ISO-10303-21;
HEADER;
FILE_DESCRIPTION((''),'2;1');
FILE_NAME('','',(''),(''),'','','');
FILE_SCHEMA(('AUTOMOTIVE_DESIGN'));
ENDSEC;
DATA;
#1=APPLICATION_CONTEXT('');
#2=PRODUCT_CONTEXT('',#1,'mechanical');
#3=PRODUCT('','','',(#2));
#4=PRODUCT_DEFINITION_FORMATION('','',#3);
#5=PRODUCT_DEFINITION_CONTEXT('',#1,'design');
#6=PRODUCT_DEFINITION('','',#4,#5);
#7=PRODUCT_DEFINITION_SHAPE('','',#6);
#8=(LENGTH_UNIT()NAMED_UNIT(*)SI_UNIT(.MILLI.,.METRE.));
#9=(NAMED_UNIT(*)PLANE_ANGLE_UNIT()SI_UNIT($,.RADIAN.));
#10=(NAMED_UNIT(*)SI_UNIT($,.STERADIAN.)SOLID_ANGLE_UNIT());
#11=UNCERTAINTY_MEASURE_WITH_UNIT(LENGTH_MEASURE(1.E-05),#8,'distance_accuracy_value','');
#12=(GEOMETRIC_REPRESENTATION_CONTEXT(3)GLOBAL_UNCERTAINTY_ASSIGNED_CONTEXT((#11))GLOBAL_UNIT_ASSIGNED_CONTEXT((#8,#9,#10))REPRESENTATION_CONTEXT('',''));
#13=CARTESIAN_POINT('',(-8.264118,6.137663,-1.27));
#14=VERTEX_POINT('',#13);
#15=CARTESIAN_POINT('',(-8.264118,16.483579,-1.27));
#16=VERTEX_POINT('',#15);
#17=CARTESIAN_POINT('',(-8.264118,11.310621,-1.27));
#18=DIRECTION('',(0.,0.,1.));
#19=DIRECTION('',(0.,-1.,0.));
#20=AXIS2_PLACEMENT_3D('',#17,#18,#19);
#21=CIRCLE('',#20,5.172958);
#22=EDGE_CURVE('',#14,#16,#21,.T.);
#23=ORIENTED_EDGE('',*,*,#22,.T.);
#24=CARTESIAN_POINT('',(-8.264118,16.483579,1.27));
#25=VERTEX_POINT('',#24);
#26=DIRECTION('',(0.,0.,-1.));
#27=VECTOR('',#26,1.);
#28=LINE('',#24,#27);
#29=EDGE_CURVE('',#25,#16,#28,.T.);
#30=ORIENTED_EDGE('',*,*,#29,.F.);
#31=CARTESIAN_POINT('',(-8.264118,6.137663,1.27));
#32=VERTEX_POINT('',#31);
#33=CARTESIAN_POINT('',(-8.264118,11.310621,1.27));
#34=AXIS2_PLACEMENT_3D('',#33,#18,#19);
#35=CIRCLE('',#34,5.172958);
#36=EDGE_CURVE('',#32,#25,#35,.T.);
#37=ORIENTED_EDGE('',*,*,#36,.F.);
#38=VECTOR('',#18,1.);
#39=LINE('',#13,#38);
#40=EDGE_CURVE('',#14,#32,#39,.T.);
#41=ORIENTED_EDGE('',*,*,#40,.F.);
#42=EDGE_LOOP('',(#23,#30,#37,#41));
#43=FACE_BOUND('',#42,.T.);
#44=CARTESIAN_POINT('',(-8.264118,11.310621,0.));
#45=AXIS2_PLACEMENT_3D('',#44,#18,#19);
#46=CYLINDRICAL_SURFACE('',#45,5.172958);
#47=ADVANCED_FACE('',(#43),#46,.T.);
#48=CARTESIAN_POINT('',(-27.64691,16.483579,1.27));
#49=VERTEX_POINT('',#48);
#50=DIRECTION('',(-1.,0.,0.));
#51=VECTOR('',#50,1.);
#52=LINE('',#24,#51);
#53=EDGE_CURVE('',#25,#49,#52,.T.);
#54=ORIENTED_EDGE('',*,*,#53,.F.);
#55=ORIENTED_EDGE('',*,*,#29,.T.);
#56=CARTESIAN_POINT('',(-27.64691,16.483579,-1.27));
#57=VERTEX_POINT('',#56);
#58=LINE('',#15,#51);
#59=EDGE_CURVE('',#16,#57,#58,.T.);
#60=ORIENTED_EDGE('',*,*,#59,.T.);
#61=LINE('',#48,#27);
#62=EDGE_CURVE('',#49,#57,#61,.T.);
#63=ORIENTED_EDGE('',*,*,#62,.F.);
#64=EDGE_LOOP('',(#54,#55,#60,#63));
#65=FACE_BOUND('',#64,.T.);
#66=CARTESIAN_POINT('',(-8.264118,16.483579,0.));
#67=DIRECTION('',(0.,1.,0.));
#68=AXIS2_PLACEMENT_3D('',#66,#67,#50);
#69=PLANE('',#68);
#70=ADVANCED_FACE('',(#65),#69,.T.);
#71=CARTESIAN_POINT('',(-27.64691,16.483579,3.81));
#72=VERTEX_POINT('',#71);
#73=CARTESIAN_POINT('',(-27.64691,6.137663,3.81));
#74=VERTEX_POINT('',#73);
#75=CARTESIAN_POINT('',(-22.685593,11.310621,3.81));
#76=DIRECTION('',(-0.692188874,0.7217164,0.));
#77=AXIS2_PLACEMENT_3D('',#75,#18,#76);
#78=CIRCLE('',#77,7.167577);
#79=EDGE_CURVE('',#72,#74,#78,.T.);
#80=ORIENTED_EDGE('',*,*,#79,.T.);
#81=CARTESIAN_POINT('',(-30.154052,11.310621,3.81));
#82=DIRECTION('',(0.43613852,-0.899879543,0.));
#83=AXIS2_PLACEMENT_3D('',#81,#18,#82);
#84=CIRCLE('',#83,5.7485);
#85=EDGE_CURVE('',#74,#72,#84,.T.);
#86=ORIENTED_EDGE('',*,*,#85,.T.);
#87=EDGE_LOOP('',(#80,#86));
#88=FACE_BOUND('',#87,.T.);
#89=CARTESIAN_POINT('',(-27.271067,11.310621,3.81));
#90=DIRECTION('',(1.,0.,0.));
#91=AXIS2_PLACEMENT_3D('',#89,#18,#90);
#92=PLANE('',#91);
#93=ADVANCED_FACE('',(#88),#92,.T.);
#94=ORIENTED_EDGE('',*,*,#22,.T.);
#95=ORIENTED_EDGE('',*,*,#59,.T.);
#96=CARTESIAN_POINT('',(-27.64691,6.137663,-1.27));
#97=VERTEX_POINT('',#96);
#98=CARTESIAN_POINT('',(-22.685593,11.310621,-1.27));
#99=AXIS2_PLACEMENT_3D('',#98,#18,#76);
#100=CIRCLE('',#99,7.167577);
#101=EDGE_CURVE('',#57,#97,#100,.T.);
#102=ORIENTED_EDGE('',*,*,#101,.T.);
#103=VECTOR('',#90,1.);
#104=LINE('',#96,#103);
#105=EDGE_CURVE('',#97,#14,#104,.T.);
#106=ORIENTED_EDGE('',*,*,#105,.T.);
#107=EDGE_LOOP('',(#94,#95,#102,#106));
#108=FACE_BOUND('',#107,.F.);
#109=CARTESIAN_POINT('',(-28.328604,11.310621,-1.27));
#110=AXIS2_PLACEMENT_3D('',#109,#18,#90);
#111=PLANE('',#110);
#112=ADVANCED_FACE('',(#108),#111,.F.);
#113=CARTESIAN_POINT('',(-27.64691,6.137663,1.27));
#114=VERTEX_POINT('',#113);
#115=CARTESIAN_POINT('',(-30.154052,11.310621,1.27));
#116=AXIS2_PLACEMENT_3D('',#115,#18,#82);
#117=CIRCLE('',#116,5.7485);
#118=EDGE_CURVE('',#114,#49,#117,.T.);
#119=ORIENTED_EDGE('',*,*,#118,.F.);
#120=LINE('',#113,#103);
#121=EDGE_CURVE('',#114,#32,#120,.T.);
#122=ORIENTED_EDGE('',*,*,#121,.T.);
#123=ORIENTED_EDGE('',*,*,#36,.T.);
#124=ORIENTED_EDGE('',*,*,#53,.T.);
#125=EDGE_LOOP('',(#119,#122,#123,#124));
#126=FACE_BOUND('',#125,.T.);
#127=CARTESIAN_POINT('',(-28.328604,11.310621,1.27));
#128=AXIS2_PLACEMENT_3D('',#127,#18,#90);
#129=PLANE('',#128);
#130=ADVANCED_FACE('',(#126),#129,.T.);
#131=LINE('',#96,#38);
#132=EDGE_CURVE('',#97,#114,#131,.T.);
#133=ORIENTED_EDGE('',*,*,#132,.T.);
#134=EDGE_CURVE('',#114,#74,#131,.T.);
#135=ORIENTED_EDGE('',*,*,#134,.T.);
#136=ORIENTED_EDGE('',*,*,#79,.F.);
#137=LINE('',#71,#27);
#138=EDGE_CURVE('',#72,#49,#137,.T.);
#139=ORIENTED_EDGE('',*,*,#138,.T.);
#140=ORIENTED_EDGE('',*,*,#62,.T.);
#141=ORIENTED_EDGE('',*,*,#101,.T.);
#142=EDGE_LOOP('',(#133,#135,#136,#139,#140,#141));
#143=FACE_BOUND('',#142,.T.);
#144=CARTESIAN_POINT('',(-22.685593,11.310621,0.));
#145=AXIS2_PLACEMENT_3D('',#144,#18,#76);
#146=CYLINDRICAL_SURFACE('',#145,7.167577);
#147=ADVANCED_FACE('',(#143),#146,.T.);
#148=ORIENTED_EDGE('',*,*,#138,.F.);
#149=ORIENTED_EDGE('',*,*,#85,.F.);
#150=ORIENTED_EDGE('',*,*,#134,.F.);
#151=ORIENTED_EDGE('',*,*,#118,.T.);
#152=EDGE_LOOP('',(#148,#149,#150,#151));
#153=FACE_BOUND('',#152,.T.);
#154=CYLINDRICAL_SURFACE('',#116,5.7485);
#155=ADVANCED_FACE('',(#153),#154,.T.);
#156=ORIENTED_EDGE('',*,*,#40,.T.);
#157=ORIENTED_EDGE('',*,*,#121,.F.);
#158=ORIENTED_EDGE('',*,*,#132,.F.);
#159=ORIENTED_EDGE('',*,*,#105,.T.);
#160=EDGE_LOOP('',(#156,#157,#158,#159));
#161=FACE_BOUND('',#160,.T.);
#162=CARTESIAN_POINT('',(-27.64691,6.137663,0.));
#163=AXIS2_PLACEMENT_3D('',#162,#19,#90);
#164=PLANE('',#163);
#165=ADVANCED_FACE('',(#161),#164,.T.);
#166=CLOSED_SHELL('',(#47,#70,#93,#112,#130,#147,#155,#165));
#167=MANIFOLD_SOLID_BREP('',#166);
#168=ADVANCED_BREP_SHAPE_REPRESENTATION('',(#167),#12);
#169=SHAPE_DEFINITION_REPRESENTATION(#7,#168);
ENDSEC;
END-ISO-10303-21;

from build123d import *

# Parameters (mm, degrees)
F1_DEPTH = 1.27
F3_DEPTH = 2.54


with BuildPart() as f1:
    # F0 (on Top) → F1 (new body, symmetric)
    with BuildSketch(Plane.XY):
        with BuildLine():
            Line((-27.64691, 6.137663), (-27.64691, 16.483579))
            ThreePointArc((-27.64691, 16.483579), (-29.85317, 11.310621), (-27.64691, 6.137663))
        make_face()
        with BuildLine():
            ThreePointArc((-8.264118, 6.137663), (-3.09116, 11.310621), (-8.264118, 16.483579))
            Line((-8.264118, 16.483579), (-8.264118, 6.137663))
        make_face()
        with BuildLine():
            ThreePointArc((-27.64691, 6.137663), (-22.473953, 11.310621), (-27.64691, 16.483579))
            Line((-27.64691, 16.483579), (-27.64691, 6.137663))
        make_face()
        with BuildLine():
            Line((-8.264118, 16.483579), (-27.64691, 16.483579))
            ThreePointArc((-27.64691, 16.483579), (-22.473953, 11.310621), (-27.64691, 6.137663))
            Line((-27.64691, 6.137663), (-8.264118, 6.137663))
            Line((-8.264118, 6.137663), (-8.264118, 16.483579))
        make_face()
    extrude(amount=F1_DEPTH, both=True)

    # F2 (on face) → F3 (join, symmetric)
    with BuildSketch(Plane.XY.offset(1.27)):
        with BuildLine():
            ThreePointArc((-27.64691, 16.483579), (-29.85317, 11.310621), (-27.64691, 6.137663))
            ThreePointArc((-27.64691, 6.137663), (-24.405552, 11.310621), (-27.64691, 16.483579))
        make_face()
    extrude(amount=F3_DEPTH, both=True)


solid = f1.part
